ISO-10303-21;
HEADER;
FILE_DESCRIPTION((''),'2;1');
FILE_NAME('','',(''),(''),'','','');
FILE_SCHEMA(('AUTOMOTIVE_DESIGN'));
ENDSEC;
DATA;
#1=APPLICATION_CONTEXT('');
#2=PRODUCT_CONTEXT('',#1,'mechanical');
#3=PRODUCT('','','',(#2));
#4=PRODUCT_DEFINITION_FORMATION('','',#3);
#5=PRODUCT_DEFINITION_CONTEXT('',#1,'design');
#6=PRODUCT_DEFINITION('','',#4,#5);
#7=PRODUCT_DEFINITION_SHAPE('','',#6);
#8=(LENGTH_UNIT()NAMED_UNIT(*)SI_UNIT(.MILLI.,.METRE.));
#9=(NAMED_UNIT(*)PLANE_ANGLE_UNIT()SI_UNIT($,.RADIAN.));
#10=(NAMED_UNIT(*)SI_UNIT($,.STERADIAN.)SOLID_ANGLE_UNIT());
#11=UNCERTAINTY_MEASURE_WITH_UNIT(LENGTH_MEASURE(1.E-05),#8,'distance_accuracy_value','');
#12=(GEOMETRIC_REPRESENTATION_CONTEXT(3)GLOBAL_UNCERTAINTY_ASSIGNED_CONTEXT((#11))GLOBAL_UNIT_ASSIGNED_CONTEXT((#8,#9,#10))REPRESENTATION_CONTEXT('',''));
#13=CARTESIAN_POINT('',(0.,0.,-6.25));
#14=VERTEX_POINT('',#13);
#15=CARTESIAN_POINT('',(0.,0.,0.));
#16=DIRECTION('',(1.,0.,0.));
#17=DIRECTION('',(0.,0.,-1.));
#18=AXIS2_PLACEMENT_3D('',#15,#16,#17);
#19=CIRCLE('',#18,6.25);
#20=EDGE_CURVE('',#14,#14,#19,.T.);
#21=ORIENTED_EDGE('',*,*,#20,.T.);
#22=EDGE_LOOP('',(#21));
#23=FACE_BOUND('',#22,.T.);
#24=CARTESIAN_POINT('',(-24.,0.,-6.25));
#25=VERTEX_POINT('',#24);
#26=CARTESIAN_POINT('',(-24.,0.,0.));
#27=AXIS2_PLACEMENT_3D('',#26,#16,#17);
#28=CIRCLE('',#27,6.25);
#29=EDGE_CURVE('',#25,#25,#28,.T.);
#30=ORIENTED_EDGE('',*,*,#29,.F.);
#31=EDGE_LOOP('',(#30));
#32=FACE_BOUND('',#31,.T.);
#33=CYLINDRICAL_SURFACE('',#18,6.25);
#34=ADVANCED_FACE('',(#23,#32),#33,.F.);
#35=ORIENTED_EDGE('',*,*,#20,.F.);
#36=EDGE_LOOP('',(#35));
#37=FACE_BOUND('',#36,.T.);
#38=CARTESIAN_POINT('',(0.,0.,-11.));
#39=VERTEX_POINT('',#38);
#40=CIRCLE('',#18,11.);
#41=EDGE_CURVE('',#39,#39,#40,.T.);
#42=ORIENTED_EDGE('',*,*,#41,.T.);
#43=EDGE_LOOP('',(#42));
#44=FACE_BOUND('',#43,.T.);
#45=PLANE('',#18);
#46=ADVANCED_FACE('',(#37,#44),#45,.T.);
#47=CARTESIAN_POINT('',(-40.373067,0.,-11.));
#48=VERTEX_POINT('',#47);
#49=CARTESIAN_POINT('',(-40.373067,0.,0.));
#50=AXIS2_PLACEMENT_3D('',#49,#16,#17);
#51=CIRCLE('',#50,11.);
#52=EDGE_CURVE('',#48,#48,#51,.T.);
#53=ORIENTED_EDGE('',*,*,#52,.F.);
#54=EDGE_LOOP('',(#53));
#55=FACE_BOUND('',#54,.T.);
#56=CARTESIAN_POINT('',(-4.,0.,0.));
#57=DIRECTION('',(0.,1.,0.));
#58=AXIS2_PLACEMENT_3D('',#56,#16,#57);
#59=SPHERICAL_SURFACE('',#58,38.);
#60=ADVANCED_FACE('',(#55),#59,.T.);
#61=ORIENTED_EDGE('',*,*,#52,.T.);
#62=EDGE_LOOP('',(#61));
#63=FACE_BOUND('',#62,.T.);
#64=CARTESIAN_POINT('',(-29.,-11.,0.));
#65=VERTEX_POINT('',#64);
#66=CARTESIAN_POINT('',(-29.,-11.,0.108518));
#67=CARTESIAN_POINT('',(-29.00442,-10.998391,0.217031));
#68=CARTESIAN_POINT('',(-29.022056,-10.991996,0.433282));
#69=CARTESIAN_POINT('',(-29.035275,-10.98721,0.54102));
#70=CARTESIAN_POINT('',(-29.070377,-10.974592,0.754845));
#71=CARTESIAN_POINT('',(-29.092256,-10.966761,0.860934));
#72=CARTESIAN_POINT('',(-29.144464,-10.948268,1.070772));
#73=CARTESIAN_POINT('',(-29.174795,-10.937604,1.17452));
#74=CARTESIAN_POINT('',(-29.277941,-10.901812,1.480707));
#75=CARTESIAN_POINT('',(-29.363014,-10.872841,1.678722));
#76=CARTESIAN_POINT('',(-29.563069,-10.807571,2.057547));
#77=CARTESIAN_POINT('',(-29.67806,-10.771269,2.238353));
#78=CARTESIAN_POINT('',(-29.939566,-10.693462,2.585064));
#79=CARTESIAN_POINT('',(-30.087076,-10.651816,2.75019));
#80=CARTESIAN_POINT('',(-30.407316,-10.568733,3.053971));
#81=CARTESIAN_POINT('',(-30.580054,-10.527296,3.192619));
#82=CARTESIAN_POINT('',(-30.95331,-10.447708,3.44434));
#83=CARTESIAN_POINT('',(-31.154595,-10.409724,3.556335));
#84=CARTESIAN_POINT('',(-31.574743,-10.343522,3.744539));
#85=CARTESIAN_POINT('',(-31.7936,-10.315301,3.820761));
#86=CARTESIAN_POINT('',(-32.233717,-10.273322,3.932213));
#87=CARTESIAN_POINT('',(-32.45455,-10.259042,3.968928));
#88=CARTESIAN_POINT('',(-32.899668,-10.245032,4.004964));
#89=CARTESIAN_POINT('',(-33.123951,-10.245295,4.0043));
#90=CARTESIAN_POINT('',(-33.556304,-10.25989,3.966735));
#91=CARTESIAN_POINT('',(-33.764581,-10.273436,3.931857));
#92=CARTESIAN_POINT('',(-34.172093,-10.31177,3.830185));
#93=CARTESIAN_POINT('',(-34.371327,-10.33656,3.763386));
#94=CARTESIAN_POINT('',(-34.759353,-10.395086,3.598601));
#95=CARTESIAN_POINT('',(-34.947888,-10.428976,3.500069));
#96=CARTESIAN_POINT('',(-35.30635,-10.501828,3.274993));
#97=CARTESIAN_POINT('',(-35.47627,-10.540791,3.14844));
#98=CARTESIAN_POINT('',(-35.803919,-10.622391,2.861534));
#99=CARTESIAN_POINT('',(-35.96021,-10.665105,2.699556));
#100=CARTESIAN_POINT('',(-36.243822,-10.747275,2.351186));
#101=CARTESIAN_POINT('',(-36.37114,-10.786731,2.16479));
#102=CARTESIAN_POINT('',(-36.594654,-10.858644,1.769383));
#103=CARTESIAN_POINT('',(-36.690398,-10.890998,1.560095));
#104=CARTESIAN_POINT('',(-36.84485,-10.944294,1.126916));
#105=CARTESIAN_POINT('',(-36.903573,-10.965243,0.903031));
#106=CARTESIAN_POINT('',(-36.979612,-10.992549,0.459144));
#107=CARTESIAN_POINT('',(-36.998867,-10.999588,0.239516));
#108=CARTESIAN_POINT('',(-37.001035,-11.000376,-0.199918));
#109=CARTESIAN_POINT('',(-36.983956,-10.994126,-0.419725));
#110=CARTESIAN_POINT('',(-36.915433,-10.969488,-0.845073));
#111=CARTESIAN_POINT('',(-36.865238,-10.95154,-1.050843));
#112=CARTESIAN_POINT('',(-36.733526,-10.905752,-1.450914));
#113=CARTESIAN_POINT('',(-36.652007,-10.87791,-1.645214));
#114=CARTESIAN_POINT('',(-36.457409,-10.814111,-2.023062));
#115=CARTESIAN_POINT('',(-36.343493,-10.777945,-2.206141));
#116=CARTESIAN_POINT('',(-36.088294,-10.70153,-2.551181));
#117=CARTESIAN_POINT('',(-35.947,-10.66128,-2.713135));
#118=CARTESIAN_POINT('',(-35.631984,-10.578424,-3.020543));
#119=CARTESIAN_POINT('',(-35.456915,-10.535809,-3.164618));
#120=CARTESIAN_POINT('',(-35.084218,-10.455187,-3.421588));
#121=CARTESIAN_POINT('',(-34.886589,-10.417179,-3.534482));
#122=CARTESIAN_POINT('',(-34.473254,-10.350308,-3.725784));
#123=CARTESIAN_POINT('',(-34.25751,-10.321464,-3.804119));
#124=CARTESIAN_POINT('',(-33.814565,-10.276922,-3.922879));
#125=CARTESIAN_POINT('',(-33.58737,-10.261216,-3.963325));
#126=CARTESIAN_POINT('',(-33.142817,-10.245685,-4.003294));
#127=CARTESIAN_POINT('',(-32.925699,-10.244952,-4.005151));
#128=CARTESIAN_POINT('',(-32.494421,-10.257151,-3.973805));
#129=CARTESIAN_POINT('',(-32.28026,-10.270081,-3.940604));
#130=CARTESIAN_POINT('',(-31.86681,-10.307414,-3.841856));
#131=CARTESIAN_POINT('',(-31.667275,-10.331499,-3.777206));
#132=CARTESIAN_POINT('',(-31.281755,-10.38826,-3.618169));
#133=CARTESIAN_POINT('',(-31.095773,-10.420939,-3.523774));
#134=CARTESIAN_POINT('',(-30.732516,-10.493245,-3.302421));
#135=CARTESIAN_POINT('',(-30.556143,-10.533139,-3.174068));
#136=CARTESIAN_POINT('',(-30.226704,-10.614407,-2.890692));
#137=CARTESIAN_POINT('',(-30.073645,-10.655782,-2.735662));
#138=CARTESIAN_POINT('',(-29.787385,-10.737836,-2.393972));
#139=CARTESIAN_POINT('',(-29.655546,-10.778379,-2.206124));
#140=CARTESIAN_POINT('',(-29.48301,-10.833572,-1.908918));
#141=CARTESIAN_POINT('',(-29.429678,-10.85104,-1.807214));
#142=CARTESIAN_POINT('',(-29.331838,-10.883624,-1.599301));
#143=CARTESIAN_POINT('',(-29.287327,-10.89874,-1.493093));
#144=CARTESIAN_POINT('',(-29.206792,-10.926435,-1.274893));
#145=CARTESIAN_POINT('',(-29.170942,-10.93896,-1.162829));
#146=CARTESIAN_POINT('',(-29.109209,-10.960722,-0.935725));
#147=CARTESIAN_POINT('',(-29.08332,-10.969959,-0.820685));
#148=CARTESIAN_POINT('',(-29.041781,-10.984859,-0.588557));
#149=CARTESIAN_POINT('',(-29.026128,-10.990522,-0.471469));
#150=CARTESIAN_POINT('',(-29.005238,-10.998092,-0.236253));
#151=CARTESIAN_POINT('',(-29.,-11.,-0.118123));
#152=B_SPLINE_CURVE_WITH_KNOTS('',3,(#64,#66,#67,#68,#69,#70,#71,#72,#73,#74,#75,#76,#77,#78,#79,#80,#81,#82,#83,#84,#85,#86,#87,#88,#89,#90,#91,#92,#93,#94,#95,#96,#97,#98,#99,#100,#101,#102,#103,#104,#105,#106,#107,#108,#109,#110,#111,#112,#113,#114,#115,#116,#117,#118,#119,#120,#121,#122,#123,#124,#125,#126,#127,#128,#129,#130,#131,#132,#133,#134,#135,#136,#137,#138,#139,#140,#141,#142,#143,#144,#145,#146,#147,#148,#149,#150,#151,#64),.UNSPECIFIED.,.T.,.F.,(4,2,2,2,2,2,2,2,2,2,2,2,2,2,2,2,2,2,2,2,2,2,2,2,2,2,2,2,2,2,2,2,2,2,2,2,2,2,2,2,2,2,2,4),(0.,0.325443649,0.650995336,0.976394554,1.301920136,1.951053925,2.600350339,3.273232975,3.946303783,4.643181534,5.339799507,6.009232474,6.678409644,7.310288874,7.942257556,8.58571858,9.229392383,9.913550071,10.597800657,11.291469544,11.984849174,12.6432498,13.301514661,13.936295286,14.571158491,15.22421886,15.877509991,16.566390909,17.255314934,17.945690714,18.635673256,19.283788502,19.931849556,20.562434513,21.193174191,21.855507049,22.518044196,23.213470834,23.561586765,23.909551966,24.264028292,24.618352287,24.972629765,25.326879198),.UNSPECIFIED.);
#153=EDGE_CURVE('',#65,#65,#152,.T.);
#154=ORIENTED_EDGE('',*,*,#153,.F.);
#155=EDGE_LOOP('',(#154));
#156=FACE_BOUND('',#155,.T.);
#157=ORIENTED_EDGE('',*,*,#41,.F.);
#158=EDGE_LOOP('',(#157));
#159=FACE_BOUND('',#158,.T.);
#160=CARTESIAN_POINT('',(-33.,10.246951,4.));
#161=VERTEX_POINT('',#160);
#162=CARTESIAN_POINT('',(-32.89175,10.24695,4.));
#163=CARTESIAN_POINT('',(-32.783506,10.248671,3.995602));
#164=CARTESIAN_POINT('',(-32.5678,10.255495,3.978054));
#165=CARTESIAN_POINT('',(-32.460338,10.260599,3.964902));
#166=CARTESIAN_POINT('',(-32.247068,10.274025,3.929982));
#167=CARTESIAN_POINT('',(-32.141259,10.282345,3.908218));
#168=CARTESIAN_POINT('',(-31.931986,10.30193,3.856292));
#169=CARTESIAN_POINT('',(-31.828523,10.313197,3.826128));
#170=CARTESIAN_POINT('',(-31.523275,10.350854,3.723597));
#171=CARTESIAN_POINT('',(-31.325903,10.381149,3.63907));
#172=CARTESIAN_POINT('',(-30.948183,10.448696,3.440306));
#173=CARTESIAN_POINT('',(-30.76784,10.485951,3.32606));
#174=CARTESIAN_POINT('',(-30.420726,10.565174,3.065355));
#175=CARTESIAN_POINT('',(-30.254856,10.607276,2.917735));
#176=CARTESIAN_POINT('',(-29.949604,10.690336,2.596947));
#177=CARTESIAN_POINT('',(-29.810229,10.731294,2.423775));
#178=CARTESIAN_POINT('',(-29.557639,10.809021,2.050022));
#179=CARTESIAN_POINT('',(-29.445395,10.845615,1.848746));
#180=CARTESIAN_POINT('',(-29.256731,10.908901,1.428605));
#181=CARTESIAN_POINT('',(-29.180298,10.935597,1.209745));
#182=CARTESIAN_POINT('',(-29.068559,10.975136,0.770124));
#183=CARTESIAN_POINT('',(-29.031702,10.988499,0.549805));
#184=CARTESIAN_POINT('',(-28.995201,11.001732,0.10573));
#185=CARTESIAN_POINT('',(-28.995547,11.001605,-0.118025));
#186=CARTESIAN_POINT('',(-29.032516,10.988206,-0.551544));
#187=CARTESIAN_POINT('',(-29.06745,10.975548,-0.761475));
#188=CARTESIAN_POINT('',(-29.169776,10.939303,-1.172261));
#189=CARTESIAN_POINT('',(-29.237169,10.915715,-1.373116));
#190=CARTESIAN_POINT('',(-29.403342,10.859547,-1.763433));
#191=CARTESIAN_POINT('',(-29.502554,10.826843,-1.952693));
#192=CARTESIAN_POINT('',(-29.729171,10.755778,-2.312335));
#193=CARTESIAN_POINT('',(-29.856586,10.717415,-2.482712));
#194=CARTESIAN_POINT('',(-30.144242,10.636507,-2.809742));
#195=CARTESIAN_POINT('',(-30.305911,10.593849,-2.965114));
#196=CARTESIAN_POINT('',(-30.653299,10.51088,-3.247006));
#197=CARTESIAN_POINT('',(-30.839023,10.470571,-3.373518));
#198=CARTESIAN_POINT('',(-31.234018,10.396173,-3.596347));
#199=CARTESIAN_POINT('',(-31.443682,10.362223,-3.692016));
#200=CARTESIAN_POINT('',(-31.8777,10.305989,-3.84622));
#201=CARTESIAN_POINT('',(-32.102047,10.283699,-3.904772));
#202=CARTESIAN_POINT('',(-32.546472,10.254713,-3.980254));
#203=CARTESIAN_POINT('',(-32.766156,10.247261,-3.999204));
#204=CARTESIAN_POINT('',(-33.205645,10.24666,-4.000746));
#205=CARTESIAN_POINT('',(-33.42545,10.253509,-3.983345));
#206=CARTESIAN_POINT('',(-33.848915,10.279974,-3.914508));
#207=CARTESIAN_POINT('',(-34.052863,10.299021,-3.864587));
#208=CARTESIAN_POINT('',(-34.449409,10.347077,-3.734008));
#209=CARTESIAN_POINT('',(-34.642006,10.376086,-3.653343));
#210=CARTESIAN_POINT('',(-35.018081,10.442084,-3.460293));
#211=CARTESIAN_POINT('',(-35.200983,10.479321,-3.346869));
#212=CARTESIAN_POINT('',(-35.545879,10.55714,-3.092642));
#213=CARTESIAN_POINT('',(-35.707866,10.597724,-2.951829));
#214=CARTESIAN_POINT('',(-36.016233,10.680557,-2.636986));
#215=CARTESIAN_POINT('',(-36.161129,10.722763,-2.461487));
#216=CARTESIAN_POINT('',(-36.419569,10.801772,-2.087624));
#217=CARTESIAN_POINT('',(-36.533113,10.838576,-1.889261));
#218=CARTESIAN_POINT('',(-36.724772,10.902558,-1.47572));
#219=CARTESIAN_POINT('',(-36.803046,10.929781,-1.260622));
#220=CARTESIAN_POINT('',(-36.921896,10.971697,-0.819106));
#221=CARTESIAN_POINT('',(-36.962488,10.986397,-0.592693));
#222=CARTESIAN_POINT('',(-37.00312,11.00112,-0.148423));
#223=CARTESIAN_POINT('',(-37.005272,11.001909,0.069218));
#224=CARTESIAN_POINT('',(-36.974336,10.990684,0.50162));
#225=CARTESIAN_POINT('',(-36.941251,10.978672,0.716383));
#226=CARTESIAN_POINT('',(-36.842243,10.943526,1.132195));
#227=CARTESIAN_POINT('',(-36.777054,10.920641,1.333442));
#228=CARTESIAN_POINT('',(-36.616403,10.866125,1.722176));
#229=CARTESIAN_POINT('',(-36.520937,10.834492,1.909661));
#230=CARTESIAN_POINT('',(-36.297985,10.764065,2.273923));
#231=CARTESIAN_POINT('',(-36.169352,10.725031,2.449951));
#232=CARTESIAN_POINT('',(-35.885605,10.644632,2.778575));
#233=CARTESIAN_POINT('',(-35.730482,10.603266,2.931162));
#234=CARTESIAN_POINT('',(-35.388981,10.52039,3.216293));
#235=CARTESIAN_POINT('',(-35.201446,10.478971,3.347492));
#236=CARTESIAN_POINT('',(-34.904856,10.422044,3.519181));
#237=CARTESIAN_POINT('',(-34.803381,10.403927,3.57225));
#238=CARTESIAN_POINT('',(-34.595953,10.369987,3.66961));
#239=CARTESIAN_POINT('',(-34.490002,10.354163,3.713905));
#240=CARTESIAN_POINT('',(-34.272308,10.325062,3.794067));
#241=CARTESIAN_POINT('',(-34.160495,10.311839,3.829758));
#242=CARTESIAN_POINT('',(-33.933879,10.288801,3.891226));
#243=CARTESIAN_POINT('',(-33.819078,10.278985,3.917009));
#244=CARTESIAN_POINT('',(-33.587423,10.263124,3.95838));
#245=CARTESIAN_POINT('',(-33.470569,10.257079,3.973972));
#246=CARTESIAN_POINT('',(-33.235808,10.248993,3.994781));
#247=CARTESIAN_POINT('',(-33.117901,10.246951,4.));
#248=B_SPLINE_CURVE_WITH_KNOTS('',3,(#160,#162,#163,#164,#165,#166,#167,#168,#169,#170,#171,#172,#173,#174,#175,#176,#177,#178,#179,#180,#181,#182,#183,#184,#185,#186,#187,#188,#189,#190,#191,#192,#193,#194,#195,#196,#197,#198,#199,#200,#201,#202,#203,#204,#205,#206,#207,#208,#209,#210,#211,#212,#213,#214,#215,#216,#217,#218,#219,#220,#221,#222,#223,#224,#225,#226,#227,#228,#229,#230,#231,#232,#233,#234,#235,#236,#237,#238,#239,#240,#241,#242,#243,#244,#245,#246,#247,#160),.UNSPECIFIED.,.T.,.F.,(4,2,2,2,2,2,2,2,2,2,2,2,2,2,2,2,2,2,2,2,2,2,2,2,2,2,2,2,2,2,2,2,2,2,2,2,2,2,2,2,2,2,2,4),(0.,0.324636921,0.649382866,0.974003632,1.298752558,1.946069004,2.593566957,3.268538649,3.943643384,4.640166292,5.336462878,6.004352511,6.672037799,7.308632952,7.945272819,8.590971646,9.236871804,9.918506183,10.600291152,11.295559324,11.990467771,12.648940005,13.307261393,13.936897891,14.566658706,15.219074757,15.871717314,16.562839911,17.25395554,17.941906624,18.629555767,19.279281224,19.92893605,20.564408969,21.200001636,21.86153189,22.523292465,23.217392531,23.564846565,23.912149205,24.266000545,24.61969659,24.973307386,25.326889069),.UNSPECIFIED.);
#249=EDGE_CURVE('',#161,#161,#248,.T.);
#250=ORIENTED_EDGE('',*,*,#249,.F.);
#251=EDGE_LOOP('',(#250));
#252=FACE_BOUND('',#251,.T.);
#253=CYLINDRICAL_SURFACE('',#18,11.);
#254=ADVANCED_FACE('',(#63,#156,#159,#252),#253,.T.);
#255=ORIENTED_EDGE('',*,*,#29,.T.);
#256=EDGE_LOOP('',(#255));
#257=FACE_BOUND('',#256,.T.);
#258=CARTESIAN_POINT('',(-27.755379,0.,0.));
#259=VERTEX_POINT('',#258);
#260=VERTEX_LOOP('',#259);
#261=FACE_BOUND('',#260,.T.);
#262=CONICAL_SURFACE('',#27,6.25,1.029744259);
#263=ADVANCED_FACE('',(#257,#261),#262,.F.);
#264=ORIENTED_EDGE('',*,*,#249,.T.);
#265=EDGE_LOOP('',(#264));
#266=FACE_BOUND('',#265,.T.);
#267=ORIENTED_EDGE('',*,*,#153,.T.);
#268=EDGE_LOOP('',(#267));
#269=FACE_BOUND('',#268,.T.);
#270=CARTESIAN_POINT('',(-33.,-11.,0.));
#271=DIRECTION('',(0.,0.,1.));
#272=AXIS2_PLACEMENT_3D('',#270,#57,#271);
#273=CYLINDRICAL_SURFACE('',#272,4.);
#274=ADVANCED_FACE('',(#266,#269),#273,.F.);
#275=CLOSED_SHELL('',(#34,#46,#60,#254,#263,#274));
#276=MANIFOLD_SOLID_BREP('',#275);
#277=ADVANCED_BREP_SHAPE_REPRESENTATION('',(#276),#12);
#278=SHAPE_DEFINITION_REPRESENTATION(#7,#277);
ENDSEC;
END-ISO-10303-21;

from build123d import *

# Parameters (mm, degrees)
M14X1_5_1_D              = 12.5
M14X1_5_1_DEPTH          = 24
M14X1_5_1_TIP            = 3.755378869
CUT_EXTRUDE_1_DEPTH      = 45.788391353
CUT_EXTRUDE_1_DEPTH_BACK = 45.788391353
SKETCH_4_R               = 4


with BuildPart() as part:
    # 草图1 → 旋转1 (revolve)
    with BuildSketch(Plane.XY, mode=Mode.PRIVATE) as revolve_1_sk:
        with BuildLine():
            Line((0, 0), (0, 11))
            Line((0, 11), (-40.373066959, 11))
            ThreePointArc((-40.373066959, 11), (-41.591066388, 5.559831632), (-42, 0))
            Line((-42, 0), (0, 0))
        make_face()
    revolve(revolve_1_sk.sketch.rotate(Axis((0, 0, 0), (-1, 0, 0)), 90), axis=Axis((0, 0, 0), (-1, 0, 0)))

    # M14X1.5 螺纹孔的螺纹孔钻头1
    with Locations(Plane(origin=(0, 0, 0), x_dir=(0, 0, -1), z_dir=(1, 0, 0))):
        with Locations((0, 0)):
            Hole(M14X1_5_1_D / 2, depth=M14X1_5_1_DEPTH)
            with Locations((0, 0, -(M14X1_5_1_DEPTH + M14X1_5_1_TIP / 2))):  # 118° drill point
                Cone(0, M14X1_5_1_D / 2, M14X1_5_1_TIP, mode=Mode.SUBTRACT)

    # 草图4 → 切除-拉伸1 (cut, two sides: drawn at the far end of the back side and taken through both)
    with BuildSketch(Plane(origin=(0, 0, 0), x_dir=(1, 0, 0), z_dir=(0, 1, 0)).offset(-CUT_EXTRUDE_1_DEPTH_BACK)):
        with Locations(Location((-33, 0, 0), (0, 0, 270))):
            Circle(SKETCH_4_R)
    extrude(amount=CUT_EXTRUDE_1_DEPTH + CUT_EXTRUDE_1_DEPTH_BACK, mode=Mode.SUBTRACT)


solid = part.part
